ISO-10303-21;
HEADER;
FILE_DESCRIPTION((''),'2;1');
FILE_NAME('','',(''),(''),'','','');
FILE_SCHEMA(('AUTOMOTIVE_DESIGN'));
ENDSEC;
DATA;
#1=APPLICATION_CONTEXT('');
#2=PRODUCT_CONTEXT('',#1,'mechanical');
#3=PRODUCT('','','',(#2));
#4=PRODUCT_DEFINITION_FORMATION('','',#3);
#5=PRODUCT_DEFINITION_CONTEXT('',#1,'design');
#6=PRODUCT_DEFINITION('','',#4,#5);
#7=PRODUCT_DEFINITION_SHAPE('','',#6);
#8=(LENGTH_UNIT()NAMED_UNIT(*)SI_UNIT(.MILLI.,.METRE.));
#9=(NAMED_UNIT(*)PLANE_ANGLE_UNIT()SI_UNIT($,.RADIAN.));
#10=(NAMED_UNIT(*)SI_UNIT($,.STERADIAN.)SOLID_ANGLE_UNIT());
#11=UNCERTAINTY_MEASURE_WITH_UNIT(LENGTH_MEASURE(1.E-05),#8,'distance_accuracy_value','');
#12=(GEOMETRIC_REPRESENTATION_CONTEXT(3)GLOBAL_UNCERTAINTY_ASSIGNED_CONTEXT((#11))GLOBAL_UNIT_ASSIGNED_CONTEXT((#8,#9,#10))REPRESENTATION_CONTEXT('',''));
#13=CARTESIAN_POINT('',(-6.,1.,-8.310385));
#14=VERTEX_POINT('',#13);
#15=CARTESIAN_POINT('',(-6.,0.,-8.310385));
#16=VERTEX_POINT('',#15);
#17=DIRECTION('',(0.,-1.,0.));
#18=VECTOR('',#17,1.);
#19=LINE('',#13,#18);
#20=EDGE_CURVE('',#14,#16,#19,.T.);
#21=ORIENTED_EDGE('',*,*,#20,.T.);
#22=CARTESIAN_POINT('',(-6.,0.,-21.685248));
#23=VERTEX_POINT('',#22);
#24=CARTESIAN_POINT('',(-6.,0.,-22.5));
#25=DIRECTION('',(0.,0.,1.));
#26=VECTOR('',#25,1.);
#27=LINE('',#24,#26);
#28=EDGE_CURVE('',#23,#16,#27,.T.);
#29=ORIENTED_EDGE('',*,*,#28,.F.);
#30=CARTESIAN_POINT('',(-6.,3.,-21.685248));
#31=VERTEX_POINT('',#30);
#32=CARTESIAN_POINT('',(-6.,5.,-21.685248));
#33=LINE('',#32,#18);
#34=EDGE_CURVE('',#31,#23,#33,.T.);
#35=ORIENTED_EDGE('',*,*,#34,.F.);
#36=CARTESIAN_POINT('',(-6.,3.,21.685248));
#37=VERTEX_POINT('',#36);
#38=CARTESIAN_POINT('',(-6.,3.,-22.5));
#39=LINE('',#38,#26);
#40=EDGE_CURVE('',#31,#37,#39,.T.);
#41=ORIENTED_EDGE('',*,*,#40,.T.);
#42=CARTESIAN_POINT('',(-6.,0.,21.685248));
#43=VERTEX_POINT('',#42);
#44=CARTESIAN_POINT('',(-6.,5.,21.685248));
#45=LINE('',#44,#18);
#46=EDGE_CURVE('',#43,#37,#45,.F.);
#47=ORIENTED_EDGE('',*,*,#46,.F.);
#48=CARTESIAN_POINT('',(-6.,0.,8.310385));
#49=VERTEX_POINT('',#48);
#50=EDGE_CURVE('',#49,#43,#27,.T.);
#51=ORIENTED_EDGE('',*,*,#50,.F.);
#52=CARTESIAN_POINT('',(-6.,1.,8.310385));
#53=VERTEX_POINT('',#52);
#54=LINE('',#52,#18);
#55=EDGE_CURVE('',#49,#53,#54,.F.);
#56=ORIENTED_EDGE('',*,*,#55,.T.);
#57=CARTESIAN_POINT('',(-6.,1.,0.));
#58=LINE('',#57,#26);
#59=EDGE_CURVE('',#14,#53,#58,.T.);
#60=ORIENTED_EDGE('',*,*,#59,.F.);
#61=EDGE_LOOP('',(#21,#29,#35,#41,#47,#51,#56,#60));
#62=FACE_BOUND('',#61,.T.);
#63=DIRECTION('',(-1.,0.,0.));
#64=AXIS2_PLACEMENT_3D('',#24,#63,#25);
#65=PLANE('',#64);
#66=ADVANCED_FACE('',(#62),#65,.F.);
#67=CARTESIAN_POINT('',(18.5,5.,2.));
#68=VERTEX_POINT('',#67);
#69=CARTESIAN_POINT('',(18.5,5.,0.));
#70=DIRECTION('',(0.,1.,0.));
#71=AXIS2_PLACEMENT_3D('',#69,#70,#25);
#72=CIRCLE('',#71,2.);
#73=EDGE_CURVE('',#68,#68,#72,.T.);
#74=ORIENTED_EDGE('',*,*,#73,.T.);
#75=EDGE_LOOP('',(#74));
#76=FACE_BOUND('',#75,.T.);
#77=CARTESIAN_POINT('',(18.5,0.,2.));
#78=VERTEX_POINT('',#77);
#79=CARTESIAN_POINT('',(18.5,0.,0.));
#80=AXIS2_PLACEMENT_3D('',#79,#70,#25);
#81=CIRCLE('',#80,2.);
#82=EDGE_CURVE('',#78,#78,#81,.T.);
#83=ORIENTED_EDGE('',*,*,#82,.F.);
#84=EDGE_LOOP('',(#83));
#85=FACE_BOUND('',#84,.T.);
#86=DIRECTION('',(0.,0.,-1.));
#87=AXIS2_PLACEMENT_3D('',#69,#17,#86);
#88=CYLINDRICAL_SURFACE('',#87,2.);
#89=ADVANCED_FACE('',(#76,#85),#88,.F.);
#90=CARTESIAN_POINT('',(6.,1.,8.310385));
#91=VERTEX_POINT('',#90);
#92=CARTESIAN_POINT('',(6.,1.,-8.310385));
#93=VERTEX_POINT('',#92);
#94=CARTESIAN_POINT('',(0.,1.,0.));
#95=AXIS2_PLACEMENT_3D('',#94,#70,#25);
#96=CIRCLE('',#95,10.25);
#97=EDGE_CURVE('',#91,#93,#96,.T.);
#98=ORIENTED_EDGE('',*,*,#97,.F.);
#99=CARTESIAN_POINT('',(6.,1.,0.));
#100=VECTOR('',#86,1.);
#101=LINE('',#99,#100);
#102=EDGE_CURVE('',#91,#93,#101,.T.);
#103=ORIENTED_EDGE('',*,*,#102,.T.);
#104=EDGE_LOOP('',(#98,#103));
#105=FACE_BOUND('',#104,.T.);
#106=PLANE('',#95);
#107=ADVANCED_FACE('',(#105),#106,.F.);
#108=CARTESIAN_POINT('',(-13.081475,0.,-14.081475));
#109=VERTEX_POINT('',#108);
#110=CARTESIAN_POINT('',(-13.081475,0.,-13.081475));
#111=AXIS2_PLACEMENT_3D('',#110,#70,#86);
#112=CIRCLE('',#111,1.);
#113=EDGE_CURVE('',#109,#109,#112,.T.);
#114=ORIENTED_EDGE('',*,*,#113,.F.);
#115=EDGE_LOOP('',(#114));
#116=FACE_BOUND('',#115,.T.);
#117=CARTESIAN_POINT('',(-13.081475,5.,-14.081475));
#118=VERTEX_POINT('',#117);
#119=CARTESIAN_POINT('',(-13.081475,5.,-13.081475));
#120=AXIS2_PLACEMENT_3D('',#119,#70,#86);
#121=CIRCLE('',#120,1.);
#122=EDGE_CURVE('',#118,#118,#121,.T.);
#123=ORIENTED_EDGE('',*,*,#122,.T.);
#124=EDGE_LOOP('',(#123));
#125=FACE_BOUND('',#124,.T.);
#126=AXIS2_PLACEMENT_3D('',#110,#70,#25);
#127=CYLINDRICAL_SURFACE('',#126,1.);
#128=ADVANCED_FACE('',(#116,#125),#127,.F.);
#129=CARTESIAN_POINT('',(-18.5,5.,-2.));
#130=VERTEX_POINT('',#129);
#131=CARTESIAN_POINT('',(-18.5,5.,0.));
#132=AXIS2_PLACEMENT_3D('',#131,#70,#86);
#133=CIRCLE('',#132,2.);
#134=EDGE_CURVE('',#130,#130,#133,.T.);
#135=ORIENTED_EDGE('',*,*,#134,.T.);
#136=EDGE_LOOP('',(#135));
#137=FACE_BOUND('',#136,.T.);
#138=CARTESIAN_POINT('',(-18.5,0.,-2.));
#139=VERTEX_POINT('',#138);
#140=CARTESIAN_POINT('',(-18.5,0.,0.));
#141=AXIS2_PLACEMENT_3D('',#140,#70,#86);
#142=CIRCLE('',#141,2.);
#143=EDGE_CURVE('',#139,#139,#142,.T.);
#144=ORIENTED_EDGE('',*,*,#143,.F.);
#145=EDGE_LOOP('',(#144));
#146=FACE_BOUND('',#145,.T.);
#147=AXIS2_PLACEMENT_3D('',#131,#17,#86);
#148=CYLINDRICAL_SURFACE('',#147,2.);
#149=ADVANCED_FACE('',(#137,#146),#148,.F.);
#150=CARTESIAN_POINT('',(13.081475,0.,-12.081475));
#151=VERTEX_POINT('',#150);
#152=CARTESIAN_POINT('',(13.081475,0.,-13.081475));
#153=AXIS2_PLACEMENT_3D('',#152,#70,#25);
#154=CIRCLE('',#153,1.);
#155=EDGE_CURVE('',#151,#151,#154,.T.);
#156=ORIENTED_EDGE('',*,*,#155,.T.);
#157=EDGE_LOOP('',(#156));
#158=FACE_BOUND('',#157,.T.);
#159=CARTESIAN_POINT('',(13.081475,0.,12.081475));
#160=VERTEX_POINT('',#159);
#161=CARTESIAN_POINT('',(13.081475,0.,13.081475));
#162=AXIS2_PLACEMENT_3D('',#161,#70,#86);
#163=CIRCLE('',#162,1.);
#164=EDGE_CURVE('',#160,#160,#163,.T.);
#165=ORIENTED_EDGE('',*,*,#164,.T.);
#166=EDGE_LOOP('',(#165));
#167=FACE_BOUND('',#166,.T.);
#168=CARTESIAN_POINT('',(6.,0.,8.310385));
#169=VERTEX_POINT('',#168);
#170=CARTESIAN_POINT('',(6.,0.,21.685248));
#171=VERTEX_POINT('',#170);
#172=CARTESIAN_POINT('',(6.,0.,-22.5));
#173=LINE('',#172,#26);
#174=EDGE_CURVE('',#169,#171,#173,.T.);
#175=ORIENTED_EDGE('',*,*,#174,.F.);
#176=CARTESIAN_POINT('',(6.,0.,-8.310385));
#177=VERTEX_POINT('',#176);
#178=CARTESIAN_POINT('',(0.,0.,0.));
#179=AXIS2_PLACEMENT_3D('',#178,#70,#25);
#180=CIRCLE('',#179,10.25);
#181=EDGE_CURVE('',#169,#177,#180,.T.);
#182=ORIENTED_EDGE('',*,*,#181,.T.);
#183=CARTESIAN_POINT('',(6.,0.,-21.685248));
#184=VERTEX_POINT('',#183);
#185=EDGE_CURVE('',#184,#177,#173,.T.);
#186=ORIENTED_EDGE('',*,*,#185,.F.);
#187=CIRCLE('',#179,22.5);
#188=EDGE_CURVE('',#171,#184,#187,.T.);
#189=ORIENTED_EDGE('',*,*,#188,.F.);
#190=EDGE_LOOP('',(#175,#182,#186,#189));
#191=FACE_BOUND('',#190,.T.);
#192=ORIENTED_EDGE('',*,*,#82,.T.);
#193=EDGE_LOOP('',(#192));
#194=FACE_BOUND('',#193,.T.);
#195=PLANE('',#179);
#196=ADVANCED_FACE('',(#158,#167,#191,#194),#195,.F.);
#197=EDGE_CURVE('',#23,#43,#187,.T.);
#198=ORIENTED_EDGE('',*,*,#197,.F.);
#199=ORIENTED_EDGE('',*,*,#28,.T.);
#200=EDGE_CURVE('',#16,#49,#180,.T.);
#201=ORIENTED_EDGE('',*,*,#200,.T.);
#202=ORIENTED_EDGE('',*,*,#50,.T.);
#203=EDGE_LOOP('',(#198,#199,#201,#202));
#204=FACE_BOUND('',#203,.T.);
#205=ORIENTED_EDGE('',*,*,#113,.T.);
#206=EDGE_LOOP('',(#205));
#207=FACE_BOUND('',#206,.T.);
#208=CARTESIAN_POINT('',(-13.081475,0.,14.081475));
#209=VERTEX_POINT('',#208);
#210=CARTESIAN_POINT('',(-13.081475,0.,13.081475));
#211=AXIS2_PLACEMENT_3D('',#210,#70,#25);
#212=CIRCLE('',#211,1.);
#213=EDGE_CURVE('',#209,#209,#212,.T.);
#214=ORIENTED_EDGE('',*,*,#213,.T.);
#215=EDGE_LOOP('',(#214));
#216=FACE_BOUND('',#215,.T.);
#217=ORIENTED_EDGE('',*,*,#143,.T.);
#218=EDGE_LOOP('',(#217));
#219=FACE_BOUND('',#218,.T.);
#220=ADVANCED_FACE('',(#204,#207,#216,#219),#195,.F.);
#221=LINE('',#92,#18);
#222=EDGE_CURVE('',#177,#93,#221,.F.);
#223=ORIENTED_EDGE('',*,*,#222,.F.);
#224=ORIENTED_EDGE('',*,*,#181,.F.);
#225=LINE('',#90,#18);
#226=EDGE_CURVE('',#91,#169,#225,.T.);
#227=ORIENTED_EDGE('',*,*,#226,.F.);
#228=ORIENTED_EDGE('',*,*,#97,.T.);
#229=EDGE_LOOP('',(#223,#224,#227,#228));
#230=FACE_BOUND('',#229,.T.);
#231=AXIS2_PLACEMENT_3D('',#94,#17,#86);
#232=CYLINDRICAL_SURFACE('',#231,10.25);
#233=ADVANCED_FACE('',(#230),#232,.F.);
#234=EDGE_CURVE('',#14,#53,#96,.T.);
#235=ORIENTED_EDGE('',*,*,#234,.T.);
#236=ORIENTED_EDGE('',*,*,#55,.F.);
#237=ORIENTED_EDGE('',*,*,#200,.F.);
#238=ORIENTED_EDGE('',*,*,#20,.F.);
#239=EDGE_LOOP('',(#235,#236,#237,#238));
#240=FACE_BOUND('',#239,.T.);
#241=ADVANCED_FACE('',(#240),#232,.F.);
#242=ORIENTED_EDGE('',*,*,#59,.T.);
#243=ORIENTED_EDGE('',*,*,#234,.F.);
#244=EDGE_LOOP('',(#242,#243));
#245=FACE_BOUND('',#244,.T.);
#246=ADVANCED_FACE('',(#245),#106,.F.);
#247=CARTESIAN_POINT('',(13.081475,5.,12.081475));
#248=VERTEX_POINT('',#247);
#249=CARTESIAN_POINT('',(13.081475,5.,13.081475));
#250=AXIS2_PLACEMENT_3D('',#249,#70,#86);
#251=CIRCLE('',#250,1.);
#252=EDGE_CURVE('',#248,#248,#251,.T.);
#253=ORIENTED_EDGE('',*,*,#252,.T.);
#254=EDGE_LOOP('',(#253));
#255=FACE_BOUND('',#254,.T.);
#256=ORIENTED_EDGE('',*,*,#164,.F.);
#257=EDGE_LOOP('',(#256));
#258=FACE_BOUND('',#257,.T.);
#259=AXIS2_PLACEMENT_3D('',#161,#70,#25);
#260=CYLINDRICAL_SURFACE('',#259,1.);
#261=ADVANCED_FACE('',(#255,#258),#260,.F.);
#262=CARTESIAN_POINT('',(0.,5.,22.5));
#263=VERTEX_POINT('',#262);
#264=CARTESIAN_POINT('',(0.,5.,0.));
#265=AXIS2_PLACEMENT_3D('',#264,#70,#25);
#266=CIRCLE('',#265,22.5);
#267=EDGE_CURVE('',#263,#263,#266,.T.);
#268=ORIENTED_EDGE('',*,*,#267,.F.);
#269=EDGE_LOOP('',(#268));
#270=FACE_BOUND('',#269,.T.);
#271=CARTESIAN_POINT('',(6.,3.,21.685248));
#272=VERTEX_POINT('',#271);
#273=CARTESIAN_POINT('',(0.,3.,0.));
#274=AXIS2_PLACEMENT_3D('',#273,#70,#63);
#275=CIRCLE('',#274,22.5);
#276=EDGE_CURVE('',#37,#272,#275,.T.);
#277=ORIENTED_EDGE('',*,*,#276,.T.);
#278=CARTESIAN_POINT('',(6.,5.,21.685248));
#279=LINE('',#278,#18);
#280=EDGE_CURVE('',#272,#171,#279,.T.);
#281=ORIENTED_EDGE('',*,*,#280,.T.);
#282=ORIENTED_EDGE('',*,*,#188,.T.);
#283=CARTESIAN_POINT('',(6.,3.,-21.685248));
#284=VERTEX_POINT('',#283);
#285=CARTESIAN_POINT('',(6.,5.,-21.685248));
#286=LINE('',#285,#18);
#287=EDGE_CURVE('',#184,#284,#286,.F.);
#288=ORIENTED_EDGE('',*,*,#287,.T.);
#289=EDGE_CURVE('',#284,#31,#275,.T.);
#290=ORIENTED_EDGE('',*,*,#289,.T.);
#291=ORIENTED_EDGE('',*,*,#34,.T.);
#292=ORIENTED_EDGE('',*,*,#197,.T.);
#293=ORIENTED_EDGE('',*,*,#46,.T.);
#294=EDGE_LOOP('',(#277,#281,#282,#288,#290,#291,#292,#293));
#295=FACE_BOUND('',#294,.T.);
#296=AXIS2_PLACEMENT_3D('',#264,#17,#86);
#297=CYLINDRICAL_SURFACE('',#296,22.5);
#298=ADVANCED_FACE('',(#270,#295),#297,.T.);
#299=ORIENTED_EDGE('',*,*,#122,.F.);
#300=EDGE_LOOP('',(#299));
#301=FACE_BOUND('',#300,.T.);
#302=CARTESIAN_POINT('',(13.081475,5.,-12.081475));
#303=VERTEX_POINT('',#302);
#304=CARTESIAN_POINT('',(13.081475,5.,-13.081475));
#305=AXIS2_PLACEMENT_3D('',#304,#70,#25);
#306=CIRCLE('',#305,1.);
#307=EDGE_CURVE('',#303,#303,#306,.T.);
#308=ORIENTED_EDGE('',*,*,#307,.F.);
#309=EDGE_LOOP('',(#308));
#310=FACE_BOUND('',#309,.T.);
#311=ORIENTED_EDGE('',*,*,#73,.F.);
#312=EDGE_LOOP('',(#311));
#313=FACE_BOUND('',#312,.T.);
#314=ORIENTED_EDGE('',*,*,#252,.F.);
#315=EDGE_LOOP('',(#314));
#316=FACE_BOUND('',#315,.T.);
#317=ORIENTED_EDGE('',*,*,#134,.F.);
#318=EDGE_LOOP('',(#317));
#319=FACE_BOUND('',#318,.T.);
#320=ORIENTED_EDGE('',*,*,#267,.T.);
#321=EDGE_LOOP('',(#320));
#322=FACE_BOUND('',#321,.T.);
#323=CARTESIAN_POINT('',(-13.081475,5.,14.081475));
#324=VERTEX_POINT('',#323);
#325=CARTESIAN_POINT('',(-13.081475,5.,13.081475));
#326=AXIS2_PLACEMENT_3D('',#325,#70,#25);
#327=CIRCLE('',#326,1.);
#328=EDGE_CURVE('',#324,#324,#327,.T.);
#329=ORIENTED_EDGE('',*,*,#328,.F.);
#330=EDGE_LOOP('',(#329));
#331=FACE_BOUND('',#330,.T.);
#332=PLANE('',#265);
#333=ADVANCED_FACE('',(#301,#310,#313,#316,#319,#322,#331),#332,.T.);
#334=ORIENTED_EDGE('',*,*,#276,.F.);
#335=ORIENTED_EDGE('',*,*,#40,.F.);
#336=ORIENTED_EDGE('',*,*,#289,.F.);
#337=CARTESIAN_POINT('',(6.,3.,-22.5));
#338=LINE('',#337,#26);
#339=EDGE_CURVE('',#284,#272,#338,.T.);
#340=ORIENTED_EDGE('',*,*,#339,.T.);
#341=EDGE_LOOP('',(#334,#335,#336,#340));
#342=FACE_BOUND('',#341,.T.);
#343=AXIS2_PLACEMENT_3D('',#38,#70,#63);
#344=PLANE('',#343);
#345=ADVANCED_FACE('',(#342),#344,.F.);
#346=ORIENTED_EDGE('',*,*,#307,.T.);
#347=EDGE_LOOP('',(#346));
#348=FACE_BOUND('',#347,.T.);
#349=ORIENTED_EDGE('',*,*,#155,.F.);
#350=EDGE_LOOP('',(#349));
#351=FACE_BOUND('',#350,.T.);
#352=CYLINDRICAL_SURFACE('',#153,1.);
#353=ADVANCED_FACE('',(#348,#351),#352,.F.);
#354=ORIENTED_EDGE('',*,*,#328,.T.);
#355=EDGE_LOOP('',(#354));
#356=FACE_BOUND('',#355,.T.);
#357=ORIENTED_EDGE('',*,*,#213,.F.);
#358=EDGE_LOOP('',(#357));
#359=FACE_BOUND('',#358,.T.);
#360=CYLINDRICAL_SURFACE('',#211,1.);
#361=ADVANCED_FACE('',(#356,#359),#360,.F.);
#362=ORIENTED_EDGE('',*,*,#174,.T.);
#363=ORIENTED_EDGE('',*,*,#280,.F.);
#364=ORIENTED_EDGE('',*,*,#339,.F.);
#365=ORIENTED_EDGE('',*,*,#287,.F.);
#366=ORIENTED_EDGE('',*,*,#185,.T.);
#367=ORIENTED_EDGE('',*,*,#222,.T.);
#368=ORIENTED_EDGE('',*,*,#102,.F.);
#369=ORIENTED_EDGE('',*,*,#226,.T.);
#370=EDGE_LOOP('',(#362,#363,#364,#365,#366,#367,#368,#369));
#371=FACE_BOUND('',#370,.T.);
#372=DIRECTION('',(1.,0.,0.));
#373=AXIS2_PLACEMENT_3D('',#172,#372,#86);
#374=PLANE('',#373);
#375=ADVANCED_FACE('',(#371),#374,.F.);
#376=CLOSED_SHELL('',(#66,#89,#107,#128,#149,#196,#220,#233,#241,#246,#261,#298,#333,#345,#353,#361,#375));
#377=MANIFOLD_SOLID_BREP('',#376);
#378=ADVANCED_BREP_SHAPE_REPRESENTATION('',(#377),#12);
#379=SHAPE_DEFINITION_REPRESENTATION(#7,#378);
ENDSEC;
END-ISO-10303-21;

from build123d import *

# Parameters (mm, degrees)
SKETCH_1_R               = 22.5
SKETCH_1_R_2             = 2
EXTRUDE_1_DEPTH          = 5
SKETCH_2_R               = 10.25
CUT_EXTRUDE_1_DEPTH      = 1
SKETCH_3_W               = 12
SKETCH_3_H               = 3
CUT_EXTRUDE_2_DEPTH      = 23.5
CUT_EXTRUDE_2_DEPTH_BACK = 23.5
SKETCH_4_R               = 1
CUT_EXTRUDE_3_DEPTH      = 6


with BuildPart() as part:
    # 草图1 → 凸台-拉伸1 (new body)
    with BuildSketch(Plane(origin=(0, 0, 0), x_dir=(1, 0, 0), z_dir=(0, 1, 0))):
        with Locations(Location((0, 0, 0), (0, 0, 270))):  # turned: the seam where the file's is
            Circle(SKETCH_1_R)
        with Locations(Location((18.5, 0, 0), (0, 0, 270))):  # turned: the seam where the file's is
            Circle(SKETCH_1_R_2, mode=Mode.SUBTRACT)
        with Locations(Location((-18.5, 0, 0), (0, 0, 90))):  # turned: the seam where the file's is
            Circle(SKETCH_1_R_2, mode=Mode.SUBTRACT)
    extrude(amount=EXTRUDE_1_DEPTH)

    # 草图2 → 切除-拉伸1 (cut)
    with BuildSketch(Plane(origin=(0, 0, 0), x_dir=(1, 0, 0), z_dir=(0, 1, 0))):
        with Locations(Location((0, 0, 0), (0, 0, 270))):  # turned: the seam where the file's is
            Circle(SKETCH_2_R)
    extrude(amount=CUT_EXTRUDE_1_DEPTH, mode=Mode.SUBTRACT)

    # 草图3 → 切除-拉伸2 (cut, two sides)
    with BuildSketch(Plane.XY) as cut_extrude_2_sk:
        with Locations((0, 1.5)):
            Rectangle(SKETCH_3_W, SKETCH_3_H)
    extrude(amount=CUT_EXTRUDE_2_DEPTH, mode=Mode.SUBTRACT)
    extrude(cut_extrude_2_sk.sketch, amount=-CUT_EXTRUDE_2_DEPTH_BACK, mode=Mode.SUBTRACT)

    # 草图4 → 切除-拉伸3 (cut, through all)
    with BuildSketch(Plane(origin=(0, 5, 0), x_dir=(1, 0, 0), z_dir=(0, 1, 0))):
        with Locations(Location((13.081475452, 13.081475452, 0), (0, 0, 270))):  # turned: the seam where the file's is
            Circle(SKETCH_4_R)
        with Locations(Location((13.081475452, -13.081475452, 0), (0, 0, 90))):  # turned: the seam where the file's is
            Circle(SKETCH_4_R)
        with Locations(Location((-13.081475452, 13.081475452, 0), (0, 0, 90))):  # turned: the seam where the file's is
            Circle(SKETCH_4_R)
        with Locations(Location((-13.081475452, -13.081475452, 0), (0, 0, 270))):  # turned: the seam where the file's is
            Circle(SKETCH_4_R)
    extrude(amount=-CUT_EXTRUDE_3_DEPTH, mode=Mode.SUBTRACT)


solid = part.part
